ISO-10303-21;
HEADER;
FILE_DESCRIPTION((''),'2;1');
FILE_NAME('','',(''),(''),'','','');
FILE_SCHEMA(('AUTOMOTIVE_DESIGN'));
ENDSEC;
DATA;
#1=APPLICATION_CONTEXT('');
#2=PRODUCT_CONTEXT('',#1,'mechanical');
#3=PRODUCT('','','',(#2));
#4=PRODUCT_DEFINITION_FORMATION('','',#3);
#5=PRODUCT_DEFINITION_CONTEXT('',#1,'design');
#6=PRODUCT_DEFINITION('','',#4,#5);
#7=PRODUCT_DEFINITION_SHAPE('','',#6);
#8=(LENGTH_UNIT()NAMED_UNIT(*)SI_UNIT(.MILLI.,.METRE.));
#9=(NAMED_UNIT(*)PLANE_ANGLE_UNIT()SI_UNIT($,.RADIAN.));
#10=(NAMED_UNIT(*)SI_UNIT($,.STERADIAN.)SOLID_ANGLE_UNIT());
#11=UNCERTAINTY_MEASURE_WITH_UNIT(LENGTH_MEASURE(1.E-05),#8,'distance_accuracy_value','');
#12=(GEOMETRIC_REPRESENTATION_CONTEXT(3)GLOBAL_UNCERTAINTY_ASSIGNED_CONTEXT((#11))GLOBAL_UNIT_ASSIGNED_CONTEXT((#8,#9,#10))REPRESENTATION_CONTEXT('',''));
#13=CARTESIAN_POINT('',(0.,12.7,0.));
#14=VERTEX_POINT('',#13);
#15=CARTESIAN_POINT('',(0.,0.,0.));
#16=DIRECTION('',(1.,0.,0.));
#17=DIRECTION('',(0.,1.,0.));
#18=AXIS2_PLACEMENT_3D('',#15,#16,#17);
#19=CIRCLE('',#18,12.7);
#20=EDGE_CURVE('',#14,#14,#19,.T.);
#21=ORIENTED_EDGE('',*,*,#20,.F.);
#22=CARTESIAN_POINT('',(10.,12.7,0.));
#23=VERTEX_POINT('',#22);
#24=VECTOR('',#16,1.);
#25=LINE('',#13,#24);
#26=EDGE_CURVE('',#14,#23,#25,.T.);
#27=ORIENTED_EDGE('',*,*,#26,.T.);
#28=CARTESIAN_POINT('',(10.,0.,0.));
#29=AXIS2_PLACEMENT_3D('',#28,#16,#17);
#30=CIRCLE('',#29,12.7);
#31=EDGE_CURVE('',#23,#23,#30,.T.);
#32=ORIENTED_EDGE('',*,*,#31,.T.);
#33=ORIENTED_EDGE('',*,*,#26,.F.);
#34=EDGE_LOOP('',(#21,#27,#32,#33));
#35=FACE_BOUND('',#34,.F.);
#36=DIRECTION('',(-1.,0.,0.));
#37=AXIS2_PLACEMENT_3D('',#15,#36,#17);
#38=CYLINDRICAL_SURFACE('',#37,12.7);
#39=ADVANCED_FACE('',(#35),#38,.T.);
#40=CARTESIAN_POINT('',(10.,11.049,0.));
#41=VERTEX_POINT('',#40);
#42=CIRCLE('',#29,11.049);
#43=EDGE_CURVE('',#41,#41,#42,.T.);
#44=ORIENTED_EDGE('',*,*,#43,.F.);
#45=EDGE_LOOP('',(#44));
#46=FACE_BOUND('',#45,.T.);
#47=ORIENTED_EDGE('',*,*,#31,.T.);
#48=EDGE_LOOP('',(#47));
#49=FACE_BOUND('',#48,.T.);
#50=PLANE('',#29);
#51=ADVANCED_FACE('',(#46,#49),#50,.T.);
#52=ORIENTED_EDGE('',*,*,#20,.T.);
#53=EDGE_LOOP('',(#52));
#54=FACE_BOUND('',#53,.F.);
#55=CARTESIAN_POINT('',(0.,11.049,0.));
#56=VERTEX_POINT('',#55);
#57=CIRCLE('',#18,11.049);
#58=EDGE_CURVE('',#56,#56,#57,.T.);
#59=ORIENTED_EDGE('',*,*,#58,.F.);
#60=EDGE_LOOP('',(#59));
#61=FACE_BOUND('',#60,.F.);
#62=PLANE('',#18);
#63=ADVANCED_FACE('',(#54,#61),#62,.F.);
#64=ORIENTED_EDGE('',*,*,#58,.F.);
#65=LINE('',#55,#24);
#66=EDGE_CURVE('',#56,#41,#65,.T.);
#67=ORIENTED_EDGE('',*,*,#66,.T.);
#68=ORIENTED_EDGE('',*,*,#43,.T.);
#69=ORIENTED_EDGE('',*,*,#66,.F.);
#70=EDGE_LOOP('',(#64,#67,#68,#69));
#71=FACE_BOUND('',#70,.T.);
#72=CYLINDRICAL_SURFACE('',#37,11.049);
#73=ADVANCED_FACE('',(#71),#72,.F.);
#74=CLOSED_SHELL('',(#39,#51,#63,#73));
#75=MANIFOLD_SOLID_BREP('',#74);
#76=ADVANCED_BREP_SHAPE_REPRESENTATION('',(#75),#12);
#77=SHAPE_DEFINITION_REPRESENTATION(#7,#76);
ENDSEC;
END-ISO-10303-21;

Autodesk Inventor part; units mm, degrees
ref_plane "YZ Plane" through (0, 0, 0) normal (1, 0, 0) x (0, 1, 0)
ref_plane "XZ Plane" through (0, 0, 0) normal (0, 1, 0) x (-1, 0, 0)
ref_plane "XY Plane" through (0, 0, 0) normal (0, 0, 1) x (1, 0, 0)
sketch "Sketch1" plane through (0, 0, 0) normal (1, 0, 0) x (0, 1, 0)
  circle A0 centre (0, 0) radius 12.7
  circle A1 centre (0, 0) radius 11.049
  dimension "d0" = 25.4
  dimension "d1" = 1.651
extrude "Extrusion1" add sketch "Sketch1" along normal blind 10
properties part number "Side_bulkhead_Steel_tube_1x0065"
